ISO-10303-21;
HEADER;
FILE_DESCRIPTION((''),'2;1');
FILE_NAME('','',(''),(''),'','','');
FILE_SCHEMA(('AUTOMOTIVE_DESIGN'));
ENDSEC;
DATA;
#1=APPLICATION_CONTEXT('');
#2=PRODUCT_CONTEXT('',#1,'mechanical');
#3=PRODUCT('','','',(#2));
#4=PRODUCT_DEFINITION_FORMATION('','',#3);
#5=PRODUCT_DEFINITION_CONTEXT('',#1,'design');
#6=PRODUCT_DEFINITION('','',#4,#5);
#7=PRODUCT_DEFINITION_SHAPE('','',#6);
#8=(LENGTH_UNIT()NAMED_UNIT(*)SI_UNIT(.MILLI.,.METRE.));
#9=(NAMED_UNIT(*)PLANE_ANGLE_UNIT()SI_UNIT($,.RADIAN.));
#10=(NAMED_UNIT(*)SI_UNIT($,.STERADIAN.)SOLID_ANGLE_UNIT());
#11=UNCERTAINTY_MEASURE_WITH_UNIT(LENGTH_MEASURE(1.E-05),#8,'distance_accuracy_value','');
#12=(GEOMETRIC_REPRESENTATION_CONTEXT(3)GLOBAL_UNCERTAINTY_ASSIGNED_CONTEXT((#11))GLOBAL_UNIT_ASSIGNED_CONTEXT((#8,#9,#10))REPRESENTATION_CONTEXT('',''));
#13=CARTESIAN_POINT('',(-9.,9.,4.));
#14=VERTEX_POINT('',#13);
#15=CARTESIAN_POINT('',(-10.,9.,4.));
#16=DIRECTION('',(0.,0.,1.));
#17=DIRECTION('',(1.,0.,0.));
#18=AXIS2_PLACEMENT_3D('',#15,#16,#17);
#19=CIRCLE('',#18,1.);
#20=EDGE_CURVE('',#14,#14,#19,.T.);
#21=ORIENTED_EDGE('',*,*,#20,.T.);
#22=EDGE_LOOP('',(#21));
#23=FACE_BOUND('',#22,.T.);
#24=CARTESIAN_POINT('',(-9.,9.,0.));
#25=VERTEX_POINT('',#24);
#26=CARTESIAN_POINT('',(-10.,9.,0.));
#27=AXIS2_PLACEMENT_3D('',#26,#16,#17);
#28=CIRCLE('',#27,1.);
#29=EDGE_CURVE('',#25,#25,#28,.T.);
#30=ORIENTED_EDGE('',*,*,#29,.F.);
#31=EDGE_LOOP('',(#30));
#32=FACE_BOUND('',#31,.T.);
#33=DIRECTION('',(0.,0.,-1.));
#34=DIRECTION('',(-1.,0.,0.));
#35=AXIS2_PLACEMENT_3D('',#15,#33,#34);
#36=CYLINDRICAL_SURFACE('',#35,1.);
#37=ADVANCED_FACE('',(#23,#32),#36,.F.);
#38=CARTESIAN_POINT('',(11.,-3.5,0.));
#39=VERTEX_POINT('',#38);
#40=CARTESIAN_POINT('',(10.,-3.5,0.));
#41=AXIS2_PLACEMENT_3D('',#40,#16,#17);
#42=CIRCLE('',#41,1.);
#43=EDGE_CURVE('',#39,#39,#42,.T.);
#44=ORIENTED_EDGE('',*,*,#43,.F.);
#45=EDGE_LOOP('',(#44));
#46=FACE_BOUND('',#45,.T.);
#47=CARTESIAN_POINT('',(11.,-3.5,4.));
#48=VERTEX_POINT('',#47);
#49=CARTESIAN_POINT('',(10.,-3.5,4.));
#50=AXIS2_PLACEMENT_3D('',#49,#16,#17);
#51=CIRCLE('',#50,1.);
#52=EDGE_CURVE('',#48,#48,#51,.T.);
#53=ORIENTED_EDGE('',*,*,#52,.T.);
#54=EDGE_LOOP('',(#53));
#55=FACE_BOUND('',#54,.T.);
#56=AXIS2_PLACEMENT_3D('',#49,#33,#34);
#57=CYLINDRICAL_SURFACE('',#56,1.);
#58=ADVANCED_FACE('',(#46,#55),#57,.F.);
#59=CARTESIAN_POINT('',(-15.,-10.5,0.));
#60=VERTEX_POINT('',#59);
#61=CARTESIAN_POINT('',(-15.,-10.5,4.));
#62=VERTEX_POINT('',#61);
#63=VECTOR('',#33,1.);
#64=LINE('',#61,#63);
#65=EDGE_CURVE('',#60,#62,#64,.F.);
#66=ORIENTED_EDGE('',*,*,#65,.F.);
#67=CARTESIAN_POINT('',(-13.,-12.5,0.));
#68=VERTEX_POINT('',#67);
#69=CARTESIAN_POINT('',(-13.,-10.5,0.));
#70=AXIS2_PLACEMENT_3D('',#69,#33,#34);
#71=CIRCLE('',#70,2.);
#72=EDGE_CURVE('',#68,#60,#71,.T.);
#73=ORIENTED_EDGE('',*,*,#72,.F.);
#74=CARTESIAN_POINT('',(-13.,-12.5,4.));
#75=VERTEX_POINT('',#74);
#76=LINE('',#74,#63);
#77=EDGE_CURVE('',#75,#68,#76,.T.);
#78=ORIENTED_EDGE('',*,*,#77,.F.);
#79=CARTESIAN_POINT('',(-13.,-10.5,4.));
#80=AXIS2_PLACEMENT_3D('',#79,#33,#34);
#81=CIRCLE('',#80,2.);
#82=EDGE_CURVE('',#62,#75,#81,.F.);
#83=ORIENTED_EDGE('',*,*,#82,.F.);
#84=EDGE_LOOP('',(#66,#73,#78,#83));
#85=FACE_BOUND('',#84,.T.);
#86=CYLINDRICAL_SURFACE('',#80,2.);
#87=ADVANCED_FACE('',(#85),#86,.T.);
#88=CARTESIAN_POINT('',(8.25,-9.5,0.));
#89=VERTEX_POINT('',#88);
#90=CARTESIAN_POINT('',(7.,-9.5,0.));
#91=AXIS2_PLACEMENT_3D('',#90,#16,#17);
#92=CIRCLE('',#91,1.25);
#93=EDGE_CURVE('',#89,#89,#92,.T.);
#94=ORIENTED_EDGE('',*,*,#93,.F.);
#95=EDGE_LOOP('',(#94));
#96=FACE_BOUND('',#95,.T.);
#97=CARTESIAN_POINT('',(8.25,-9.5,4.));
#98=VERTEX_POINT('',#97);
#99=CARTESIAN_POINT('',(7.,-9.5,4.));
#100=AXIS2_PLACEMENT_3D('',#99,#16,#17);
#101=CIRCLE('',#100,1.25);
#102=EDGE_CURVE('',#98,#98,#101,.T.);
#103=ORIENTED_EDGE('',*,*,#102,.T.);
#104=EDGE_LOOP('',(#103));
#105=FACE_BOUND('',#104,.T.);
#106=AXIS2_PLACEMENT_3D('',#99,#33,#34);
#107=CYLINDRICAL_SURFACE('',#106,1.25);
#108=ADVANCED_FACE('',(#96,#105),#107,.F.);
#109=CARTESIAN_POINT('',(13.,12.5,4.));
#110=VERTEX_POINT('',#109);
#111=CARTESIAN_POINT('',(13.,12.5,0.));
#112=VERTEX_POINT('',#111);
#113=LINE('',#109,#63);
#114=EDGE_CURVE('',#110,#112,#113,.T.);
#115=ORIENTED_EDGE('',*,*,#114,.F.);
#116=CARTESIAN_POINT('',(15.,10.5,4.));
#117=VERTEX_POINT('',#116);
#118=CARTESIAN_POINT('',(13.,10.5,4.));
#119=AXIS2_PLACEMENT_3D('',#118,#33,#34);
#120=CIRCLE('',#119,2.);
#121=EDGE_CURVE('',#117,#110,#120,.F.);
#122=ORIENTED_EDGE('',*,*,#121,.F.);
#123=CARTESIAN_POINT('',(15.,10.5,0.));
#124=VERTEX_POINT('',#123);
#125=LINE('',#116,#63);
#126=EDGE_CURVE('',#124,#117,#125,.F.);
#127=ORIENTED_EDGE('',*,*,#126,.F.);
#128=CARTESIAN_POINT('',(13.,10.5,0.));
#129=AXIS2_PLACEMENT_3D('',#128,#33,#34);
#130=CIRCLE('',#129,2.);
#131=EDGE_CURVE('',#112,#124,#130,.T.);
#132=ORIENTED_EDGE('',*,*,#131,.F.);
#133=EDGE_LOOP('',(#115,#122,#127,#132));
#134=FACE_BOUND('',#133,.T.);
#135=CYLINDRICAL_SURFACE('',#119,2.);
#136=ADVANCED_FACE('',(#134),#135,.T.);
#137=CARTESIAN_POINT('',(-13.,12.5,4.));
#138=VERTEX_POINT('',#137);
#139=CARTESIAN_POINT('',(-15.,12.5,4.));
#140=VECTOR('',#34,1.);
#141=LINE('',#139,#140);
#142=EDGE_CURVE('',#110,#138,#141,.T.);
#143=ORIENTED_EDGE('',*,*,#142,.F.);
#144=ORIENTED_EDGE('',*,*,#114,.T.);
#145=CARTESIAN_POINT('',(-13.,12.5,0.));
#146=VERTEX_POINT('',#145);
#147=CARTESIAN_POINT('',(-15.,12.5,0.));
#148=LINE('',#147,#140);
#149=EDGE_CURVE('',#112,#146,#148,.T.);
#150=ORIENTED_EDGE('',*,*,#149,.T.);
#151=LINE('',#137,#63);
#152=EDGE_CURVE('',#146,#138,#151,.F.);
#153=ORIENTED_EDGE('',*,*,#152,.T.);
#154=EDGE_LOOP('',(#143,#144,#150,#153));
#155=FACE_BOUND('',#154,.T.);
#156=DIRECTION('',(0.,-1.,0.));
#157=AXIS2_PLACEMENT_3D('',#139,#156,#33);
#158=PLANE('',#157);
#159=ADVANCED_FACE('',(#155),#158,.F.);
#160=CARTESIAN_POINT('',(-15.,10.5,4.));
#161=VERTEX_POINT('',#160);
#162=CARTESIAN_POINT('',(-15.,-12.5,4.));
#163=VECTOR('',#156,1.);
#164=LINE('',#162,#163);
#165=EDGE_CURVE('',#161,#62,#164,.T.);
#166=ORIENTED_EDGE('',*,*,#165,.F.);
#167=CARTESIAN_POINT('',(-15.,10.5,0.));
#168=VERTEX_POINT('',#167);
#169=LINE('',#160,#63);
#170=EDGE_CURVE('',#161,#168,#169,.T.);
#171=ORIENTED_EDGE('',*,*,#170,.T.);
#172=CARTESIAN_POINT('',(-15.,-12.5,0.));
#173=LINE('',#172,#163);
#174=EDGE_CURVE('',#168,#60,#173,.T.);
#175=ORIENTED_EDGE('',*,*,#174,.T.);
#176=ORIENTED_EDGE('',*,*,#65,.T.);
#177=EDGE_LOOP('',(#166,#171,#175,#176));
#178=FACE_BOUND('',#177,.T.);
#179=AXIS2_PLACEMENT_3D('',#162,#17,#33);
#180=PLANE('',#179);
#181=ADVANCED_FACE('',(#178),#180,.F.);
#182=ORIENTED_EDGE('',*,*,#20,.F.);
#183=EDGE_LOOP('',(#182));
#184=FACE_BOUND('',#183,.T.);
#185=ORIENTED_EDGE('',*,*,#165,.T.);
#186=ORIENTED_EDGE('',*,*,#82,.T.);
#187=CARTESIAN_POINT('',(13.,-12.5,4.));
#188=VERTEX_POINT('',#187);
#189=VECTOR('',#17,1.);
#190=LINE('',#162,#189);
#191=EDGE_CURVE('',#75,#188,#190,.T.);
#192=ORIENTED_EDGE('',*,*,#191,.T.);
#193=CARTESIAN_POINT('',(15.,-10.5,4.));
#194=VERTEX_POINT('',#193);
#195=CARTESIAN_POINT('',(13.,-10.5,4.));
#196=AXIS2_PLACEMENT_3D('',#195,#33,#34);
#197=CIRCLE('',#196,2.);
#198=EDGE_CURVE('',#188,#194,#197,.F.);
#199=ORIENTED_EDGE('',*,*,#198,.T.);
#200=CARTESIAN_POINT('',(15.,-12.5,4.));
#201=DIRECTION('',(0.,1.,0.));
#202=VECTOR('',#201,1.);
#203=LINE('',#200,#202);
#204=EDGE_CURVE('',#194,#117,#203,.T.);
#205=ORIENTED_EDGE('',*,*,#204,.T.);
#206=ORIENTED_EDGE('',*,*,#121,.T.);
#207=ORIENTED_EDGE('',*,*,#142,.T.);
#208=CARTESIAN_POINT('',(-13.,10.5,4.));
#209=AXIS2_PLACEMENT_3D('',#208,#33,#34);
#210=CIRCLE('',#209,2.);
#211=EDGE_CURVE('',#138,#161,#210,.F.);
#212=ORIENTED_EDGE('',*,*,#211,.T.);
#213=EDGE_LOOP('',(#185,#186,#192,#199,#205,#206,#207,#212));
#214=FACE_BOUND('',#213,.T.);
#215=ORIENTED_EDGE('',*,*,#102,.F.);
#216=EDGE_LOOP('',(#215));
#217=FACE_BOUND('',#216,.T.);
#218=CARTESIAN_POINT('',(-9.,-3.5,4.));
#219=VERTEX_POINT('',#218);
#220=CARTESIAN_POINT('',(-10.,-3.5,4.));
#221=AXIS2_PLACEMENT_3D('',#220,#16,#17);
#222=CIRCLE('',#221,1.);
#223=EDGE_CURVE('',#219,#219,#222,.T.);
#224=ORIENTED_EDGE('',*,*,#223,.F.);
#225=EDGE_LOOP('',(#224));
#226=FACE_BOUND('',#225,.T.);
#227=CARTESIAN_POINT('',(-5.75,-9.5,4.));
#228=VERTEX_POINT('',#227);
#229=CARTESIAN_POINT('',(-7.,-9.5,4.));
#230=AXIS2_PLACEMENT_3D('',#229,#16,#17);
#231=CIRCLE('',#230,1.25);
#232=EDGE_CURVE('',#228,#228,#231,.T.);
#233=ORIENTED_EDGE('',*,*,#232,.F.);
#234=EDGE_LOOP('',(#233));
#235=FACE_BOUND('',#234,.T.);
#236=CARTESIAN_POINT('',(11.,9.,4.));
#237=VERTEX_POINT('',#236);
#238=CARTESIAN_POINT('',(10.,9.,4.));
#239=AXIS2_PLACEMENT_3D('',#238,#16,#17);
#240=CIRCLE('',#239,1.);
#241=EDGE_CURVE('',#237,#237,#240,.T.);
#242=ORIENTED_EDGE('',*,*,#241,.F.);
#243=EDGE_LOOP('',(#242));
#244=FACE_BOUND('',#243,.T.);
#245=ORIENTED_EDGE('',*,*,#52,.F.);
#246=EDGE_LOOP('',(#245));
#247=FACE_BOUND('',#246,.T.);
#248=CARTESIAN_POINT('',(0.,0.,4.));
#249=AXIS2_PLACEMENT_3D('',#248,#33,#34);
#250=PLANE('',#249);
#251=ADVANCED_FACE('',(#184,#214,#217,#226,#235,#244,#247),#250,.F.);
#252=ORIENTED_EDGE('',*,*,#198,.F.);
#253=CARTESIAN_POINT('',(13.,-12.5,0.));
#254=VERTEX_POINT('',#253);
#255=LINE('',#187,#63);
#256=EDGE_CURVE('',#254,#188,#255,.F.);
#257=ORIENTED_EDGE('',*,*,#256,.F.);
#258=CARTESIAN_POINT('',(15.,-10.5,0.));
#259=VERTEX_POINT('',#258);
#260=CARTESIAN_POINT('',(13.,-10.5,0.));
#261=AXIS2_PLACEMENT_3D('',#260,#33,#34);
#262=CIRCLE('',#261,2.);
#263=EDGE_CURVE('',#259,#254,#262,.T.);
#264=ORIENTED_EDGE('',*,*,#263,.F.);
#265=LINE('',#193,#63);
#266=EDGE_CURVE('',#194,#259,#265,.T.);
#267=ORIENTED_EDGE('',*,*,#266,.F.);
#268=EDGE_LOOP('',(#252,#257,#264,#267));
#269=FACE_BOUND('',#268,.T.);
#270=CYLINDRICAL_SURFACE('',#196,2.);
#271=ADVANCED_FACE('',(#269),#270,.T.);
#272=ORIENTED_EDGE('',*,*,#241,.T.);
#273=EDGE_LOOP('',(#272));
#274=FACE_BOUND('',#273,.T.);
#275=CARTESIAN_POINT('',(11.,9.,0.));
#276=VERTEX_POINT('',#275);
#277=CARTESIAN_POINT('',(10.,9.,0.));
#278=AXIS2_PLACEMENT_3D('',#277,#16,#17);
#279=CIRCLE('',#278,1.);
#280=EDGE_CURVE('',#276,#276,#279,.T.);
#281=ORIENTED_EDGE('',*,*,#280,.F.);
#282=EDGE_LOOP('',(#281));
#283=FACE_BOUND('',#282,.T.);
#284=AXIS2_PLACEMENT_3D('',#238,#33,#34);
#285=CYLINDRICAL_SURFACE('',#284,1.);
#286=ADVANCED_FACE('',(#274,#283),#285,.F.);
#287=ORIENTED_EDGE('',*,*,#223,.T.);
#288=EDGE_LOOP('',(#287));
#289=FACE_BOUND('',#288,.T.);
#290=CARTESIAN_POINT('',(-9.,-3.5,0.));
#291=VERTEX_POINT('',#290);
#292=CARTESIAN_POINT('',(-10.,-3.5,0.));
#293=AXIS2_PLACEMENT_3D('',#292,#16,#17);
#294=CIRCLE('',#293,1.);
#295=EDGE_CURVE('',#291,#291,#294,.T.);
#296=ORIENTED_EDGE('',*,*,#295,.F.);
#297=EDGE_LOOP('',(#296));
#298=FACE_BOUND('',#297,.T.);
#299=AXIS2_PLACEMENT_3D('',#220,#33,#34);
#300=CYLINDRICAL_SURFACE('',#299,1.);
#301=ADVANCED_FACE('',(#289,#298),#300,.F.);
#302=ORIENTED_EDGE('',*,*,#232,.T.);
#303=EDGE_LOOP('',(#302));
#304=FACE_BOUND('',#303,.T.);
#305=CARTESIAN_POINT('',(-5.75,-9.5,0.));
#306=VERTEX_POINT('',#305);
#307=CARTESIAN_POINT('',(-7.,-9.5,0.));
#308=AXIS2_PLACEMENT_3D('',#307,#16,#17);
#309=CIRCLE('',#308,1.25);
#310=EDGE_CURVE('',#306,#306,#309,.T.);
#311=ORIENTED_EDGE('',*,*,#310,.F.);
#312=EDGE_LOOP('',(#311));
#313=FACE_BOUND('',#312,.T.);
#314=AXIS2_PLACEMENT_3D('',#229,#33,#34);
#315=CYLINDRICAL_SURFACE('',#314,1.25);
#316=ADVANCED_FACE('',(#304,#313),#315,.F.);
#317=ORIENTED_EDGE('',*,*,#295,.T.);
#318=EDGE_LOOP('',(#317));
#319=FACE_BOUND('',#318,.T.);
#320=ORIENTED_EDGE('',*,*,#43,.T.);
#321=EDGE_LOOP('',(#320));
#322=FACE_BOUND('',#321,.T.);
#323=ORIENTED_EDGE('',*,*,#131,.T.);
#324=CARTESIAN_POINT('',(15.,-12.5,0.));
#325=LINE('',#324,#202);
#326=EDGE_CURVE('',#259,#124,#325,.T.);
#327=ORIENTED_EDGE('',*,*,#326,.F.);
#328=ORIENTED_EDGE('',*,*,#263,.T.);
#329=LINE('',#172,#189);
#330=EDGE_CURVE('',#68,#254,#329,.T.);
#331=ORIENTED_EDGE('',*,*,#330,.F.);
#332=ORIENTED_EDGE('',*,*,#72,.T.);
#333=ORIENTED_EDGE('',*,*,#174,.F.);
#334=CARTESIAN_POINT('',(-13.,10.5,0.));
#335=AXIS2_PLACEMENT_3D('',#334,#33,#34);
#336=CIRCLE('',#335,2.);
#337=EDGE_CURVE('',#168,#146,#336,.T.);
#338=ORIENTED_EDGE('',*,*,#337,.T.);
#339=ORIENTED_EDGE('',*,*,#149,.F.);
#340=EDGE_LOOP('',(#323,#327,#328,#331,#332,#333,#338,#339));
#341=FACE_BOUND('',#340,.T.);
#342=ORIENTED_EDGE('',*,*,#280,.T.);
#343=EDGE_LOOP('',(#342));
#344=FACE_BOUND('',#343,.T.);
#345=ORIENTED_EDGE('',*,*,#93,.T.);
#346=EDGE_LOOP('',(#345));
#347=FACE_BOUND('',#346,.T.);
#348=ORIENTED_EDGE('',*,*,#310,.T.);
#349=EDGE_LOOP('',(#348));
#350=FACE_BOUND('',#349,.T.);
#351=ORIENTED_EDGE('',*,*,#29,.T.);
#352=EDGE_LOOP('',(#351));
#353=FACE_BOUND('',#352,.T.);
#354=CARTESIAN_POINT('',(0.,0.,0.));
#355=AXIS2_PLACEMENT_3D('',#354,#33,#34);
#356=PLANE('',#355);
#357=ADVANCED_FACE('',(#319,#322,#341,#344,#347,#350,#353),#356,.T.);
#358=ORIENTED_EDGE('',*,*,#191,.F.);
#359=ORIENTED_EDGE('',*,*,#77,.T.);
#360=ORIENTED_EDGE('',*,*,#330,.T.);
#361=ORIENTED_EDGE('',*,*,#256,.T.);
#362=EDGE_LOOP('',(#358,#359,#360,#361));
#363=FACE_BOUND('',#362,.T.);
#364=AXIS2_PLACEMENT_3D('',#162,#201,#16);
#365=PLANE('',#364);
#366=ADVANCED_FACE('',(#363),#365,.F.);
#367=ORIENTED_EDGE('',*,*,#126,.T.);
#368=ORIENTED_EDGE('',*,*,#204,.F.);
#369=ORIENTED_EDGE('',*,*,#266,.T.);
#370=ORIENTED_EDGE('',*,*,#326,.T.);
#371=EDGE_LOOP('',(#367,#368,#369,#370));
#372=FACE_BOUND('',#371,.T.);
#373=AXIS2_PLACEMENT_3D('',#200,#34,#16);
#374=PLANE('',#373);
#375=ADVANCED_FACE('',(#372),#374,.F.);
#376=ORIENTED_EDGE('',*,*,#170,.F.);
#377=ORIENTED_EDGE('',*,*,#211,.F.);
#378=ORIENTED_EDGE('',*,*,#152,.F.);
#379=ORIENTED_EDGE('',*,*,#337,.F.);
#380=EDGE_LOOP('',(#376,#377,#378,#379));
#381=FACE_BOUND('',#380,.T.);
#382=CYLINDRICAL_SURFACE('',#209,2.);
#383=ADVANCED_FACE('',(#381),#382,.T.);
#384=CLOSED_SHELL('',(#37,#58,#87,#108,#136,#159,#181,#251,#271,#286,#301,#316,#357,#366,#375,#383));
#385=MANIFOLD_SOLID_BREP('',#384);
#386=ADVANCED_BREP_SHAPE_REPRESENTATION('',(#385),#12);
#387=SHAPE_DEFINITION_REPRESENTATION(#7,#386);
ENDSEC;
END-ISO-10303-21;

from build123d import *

# Parameters (mm, degrees)
SKETCH_1_W      = 30
SKETCH_1_H      = 25
SKETCH_1_R      = 1.25
SKETCH_1_R_2    = 1
EXTRUDE_1_DEPTH = 4
FILLET_1_R      = 2


with BuildPart() as part:
    # ｽｹｯﾁ1 → ﾎﾞｽ - 押し出し1 (new body)
    with BuildSketch(Plane.XY):
        Rectangle(SKETCH_1_W, SKETCH_1_H)
        with Locations((-7, -9.5)):
            Circle(SKETCH_1_R, mode=Mode.SUBTRACT)
        with Locations((7, -9.5)):
            Circle(SKETCH_1_R, mode=Mode.SUBTRACT)
        with Locations((-10, -3.5)):
            Circle(SKETCH_1_R_2, mode=Mode.SUBTRACT)
        with Locations((-10, 9)):
            Circle(SKETCH_1_R_2, mode=Mode.SUBTRACT)
        with Locations((10, 9)):
            Circle(SKETCH_1_R_2, mode=Mode.SUBTRACT)
        with Locations((10, -3.5)):
            Circle(SKETCH_1_R_2, mode=Mode.SUBTRACT)
    extrude(amount=EXTRUDE_1_DEPTH)

    # ﾌｨﾚｯﾄ1
    fillet_1_edges = [part.edges().sort_by_distance(p)[0] for p in [
        (15, -12.5, 2),
        (-15, -12.5, 2),
        (-15, 12.5, 2),
        (15, 12.5, 2),
    ]]
    fillet(fillet_1_edges, radius=FILLET_1_R)


solid = part.part
